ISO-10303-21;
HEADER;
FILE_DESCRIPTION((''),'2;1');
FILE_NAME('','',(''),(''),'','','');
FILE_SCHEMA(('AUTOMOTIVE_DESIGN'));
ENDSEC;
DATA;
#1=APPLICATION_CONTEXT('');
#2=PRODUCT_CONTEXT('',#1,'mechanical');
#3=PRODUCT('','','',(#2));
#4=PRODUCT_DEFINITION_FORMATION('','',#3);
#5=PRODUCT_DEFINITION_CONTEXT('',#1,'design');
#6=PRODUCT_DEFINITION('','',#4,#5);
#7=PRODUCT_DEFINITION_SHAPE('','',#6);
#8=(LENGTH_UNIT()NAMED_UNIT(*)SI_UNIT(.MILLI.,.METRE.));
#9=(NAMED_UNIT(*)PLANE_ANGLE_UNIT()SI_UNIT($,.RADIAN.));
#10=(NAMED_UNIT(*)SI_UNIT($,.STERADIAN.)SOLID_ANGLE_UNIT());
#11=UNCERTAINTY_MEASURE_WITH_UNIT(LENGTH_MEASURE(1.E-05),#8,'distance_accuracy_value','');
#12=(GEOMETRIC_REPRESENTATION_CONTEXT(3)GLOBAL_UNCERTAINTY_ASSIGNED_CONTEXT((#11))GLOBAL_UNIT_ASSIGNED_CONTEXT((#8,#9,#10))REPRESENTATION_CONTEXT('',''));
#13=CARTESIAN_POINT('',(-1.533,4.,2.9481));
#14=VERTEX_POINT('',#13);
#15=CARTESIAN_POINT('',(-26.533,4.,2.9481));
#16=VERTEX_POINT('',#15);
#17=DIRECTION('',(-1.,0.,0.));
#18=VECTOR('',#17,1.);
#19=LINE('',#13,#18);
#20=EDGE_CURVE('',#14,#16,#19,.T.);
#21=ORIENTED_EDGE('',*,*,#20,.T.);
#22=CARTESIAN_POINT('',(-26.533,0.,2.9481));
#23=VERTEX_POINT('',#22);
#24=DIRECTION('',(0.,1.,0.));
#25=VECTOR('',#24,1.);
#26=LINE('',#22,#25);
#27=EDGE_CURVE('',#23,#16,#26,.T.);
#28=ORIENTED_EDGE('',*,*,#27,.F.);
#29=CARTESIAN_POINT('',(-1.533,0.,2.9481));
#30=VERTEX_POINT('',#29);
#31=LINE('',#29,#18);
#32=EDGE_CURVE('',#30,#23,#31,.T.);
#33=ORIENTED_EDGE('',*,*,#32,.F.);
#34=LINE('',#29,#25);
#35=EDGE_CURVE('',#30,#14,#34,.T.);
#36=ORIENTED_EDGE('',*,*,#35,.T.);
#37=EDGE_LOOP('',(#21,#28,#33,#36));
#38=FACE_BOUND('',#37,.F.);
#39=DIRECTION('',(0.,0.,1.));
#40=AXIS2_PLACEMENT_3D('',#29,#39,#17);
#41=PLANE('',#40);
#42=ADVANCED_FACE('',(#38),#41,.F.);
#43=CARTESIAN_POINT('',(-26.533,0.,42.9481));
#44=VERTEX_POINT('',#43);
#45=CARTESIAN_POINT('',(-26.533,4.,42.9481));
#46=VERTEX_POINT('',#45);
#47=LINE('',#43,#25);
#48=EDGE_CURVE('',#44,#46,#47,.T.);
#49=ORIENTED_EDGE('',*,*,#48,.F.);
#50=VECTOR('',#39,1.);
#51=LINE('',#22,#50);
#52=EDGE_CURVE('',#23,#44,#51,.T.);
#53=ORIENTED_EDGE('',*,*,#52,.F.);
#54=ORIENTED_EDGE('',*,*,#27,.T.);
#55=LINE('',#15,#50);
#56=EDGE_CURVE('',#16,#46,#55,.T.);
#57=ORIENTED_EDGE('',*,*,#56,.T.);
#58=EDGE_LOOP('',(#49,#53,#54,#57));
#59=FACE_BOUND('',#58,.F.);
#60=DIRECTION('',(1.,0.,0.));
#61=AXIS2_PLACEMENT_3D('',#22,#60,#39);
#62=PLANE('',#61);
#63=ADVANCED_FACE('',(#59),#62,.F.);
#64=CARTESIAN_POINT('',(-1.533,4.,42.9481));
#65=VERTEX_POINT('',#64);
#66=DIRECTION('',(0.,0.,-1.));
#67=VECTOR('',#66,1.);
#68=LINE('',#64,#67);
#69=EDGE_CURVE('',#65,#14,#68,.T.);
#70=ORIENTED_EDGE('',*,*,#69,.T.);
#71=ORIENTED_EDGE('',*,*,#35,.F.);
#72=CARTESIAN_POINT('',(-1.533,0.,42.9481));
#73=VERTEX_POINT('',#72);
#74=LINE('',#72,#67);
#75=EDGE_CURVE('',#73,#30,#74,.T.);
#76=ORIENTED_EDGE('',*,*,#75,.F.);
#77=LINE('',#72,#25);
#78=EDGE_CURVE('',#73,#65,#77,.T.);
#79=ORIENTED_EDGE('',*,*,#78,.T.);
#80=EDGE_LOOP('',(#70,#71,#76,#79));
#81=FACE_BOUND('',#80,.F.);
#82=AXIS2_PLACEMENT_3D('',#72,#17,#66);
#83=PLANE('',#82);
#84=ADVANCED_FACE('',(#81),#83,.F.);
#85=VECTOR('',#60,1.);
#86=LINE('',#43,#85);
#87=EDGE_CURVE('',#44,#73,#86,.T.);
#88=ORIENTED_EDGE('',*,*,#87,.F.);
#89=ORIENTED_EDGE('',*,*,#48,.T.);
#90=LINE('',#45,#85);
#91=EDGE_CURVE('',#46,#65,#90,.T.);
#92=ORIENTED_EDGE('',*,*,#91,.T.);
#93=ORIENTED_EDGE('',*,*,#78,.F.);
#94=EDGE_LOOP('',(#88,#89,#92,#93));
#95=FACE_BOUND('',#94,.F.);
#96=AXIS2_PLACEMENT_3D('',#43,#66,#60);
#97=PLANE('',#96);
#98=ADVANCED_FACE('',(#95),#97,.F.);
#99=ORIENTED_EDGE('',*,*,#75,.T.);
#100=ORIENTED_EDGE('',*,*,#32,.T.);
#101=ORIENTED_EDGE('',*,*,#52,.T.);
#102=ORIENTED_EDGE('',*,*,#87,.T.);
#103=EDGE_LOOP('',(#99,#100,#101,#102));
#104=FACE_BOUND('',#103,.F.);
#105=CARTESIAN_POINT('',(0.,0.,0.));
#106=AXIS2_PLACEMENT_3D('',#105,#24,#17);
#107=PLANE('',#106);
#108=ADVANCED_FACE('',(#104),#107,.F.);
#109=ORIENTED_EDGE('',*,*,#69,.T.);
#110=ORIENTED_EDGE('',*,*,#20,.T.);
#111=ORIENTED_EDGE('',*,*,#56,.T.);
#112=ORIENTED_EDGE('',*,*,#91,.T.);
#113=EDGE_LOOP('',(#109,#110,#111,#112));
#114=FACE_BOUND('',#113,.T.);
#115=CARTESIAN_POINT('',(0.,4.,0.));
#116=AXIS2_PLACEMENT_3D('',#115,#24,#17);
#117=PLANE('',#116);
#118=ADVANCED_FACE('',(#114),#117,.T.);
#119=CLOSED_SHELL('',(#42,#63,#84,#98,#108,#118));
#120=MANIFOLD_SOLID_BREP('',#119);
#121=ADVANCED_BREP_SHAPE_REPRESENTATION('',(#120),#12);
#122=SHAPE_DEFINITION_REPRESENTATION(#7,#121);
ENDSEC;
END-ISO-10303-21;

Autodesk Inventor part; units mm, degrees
ref_plane "YZ Plane" through (0, 0, 0) normal (1, 0, 0) x (0, 1, 0)
ref_plane "XZ Plane" through (0, 0, 0) normal (0, 1, 0) x (-1, 0, 0)
ref_plane "XY Plane" through (0, 0, 0) normal (0, 0, 1) x (1, 0, 0)
sketch "Sketch1" plane through (0, 0, 0) normal (0, 1, 0) x (-1, 0, 0)
  line L0 (26.533, 42.9481) -> (1.533, 42.9481)
  line L1 (1.533, 42.9481) -> (1.533, 2.9481)
  line L2 (1.533, 2.9481) -> (26.533, 2.9481)
  line L3 (26.533, 2.9481) -> (26.533, 42.9481)
  point P0 (0, 0)
  dimension "d0" = 25
  dimension "d1" = 40
extrude "Extrusion1" add sketch "Sketch1" along normal blind 4
properties material "Silver"
